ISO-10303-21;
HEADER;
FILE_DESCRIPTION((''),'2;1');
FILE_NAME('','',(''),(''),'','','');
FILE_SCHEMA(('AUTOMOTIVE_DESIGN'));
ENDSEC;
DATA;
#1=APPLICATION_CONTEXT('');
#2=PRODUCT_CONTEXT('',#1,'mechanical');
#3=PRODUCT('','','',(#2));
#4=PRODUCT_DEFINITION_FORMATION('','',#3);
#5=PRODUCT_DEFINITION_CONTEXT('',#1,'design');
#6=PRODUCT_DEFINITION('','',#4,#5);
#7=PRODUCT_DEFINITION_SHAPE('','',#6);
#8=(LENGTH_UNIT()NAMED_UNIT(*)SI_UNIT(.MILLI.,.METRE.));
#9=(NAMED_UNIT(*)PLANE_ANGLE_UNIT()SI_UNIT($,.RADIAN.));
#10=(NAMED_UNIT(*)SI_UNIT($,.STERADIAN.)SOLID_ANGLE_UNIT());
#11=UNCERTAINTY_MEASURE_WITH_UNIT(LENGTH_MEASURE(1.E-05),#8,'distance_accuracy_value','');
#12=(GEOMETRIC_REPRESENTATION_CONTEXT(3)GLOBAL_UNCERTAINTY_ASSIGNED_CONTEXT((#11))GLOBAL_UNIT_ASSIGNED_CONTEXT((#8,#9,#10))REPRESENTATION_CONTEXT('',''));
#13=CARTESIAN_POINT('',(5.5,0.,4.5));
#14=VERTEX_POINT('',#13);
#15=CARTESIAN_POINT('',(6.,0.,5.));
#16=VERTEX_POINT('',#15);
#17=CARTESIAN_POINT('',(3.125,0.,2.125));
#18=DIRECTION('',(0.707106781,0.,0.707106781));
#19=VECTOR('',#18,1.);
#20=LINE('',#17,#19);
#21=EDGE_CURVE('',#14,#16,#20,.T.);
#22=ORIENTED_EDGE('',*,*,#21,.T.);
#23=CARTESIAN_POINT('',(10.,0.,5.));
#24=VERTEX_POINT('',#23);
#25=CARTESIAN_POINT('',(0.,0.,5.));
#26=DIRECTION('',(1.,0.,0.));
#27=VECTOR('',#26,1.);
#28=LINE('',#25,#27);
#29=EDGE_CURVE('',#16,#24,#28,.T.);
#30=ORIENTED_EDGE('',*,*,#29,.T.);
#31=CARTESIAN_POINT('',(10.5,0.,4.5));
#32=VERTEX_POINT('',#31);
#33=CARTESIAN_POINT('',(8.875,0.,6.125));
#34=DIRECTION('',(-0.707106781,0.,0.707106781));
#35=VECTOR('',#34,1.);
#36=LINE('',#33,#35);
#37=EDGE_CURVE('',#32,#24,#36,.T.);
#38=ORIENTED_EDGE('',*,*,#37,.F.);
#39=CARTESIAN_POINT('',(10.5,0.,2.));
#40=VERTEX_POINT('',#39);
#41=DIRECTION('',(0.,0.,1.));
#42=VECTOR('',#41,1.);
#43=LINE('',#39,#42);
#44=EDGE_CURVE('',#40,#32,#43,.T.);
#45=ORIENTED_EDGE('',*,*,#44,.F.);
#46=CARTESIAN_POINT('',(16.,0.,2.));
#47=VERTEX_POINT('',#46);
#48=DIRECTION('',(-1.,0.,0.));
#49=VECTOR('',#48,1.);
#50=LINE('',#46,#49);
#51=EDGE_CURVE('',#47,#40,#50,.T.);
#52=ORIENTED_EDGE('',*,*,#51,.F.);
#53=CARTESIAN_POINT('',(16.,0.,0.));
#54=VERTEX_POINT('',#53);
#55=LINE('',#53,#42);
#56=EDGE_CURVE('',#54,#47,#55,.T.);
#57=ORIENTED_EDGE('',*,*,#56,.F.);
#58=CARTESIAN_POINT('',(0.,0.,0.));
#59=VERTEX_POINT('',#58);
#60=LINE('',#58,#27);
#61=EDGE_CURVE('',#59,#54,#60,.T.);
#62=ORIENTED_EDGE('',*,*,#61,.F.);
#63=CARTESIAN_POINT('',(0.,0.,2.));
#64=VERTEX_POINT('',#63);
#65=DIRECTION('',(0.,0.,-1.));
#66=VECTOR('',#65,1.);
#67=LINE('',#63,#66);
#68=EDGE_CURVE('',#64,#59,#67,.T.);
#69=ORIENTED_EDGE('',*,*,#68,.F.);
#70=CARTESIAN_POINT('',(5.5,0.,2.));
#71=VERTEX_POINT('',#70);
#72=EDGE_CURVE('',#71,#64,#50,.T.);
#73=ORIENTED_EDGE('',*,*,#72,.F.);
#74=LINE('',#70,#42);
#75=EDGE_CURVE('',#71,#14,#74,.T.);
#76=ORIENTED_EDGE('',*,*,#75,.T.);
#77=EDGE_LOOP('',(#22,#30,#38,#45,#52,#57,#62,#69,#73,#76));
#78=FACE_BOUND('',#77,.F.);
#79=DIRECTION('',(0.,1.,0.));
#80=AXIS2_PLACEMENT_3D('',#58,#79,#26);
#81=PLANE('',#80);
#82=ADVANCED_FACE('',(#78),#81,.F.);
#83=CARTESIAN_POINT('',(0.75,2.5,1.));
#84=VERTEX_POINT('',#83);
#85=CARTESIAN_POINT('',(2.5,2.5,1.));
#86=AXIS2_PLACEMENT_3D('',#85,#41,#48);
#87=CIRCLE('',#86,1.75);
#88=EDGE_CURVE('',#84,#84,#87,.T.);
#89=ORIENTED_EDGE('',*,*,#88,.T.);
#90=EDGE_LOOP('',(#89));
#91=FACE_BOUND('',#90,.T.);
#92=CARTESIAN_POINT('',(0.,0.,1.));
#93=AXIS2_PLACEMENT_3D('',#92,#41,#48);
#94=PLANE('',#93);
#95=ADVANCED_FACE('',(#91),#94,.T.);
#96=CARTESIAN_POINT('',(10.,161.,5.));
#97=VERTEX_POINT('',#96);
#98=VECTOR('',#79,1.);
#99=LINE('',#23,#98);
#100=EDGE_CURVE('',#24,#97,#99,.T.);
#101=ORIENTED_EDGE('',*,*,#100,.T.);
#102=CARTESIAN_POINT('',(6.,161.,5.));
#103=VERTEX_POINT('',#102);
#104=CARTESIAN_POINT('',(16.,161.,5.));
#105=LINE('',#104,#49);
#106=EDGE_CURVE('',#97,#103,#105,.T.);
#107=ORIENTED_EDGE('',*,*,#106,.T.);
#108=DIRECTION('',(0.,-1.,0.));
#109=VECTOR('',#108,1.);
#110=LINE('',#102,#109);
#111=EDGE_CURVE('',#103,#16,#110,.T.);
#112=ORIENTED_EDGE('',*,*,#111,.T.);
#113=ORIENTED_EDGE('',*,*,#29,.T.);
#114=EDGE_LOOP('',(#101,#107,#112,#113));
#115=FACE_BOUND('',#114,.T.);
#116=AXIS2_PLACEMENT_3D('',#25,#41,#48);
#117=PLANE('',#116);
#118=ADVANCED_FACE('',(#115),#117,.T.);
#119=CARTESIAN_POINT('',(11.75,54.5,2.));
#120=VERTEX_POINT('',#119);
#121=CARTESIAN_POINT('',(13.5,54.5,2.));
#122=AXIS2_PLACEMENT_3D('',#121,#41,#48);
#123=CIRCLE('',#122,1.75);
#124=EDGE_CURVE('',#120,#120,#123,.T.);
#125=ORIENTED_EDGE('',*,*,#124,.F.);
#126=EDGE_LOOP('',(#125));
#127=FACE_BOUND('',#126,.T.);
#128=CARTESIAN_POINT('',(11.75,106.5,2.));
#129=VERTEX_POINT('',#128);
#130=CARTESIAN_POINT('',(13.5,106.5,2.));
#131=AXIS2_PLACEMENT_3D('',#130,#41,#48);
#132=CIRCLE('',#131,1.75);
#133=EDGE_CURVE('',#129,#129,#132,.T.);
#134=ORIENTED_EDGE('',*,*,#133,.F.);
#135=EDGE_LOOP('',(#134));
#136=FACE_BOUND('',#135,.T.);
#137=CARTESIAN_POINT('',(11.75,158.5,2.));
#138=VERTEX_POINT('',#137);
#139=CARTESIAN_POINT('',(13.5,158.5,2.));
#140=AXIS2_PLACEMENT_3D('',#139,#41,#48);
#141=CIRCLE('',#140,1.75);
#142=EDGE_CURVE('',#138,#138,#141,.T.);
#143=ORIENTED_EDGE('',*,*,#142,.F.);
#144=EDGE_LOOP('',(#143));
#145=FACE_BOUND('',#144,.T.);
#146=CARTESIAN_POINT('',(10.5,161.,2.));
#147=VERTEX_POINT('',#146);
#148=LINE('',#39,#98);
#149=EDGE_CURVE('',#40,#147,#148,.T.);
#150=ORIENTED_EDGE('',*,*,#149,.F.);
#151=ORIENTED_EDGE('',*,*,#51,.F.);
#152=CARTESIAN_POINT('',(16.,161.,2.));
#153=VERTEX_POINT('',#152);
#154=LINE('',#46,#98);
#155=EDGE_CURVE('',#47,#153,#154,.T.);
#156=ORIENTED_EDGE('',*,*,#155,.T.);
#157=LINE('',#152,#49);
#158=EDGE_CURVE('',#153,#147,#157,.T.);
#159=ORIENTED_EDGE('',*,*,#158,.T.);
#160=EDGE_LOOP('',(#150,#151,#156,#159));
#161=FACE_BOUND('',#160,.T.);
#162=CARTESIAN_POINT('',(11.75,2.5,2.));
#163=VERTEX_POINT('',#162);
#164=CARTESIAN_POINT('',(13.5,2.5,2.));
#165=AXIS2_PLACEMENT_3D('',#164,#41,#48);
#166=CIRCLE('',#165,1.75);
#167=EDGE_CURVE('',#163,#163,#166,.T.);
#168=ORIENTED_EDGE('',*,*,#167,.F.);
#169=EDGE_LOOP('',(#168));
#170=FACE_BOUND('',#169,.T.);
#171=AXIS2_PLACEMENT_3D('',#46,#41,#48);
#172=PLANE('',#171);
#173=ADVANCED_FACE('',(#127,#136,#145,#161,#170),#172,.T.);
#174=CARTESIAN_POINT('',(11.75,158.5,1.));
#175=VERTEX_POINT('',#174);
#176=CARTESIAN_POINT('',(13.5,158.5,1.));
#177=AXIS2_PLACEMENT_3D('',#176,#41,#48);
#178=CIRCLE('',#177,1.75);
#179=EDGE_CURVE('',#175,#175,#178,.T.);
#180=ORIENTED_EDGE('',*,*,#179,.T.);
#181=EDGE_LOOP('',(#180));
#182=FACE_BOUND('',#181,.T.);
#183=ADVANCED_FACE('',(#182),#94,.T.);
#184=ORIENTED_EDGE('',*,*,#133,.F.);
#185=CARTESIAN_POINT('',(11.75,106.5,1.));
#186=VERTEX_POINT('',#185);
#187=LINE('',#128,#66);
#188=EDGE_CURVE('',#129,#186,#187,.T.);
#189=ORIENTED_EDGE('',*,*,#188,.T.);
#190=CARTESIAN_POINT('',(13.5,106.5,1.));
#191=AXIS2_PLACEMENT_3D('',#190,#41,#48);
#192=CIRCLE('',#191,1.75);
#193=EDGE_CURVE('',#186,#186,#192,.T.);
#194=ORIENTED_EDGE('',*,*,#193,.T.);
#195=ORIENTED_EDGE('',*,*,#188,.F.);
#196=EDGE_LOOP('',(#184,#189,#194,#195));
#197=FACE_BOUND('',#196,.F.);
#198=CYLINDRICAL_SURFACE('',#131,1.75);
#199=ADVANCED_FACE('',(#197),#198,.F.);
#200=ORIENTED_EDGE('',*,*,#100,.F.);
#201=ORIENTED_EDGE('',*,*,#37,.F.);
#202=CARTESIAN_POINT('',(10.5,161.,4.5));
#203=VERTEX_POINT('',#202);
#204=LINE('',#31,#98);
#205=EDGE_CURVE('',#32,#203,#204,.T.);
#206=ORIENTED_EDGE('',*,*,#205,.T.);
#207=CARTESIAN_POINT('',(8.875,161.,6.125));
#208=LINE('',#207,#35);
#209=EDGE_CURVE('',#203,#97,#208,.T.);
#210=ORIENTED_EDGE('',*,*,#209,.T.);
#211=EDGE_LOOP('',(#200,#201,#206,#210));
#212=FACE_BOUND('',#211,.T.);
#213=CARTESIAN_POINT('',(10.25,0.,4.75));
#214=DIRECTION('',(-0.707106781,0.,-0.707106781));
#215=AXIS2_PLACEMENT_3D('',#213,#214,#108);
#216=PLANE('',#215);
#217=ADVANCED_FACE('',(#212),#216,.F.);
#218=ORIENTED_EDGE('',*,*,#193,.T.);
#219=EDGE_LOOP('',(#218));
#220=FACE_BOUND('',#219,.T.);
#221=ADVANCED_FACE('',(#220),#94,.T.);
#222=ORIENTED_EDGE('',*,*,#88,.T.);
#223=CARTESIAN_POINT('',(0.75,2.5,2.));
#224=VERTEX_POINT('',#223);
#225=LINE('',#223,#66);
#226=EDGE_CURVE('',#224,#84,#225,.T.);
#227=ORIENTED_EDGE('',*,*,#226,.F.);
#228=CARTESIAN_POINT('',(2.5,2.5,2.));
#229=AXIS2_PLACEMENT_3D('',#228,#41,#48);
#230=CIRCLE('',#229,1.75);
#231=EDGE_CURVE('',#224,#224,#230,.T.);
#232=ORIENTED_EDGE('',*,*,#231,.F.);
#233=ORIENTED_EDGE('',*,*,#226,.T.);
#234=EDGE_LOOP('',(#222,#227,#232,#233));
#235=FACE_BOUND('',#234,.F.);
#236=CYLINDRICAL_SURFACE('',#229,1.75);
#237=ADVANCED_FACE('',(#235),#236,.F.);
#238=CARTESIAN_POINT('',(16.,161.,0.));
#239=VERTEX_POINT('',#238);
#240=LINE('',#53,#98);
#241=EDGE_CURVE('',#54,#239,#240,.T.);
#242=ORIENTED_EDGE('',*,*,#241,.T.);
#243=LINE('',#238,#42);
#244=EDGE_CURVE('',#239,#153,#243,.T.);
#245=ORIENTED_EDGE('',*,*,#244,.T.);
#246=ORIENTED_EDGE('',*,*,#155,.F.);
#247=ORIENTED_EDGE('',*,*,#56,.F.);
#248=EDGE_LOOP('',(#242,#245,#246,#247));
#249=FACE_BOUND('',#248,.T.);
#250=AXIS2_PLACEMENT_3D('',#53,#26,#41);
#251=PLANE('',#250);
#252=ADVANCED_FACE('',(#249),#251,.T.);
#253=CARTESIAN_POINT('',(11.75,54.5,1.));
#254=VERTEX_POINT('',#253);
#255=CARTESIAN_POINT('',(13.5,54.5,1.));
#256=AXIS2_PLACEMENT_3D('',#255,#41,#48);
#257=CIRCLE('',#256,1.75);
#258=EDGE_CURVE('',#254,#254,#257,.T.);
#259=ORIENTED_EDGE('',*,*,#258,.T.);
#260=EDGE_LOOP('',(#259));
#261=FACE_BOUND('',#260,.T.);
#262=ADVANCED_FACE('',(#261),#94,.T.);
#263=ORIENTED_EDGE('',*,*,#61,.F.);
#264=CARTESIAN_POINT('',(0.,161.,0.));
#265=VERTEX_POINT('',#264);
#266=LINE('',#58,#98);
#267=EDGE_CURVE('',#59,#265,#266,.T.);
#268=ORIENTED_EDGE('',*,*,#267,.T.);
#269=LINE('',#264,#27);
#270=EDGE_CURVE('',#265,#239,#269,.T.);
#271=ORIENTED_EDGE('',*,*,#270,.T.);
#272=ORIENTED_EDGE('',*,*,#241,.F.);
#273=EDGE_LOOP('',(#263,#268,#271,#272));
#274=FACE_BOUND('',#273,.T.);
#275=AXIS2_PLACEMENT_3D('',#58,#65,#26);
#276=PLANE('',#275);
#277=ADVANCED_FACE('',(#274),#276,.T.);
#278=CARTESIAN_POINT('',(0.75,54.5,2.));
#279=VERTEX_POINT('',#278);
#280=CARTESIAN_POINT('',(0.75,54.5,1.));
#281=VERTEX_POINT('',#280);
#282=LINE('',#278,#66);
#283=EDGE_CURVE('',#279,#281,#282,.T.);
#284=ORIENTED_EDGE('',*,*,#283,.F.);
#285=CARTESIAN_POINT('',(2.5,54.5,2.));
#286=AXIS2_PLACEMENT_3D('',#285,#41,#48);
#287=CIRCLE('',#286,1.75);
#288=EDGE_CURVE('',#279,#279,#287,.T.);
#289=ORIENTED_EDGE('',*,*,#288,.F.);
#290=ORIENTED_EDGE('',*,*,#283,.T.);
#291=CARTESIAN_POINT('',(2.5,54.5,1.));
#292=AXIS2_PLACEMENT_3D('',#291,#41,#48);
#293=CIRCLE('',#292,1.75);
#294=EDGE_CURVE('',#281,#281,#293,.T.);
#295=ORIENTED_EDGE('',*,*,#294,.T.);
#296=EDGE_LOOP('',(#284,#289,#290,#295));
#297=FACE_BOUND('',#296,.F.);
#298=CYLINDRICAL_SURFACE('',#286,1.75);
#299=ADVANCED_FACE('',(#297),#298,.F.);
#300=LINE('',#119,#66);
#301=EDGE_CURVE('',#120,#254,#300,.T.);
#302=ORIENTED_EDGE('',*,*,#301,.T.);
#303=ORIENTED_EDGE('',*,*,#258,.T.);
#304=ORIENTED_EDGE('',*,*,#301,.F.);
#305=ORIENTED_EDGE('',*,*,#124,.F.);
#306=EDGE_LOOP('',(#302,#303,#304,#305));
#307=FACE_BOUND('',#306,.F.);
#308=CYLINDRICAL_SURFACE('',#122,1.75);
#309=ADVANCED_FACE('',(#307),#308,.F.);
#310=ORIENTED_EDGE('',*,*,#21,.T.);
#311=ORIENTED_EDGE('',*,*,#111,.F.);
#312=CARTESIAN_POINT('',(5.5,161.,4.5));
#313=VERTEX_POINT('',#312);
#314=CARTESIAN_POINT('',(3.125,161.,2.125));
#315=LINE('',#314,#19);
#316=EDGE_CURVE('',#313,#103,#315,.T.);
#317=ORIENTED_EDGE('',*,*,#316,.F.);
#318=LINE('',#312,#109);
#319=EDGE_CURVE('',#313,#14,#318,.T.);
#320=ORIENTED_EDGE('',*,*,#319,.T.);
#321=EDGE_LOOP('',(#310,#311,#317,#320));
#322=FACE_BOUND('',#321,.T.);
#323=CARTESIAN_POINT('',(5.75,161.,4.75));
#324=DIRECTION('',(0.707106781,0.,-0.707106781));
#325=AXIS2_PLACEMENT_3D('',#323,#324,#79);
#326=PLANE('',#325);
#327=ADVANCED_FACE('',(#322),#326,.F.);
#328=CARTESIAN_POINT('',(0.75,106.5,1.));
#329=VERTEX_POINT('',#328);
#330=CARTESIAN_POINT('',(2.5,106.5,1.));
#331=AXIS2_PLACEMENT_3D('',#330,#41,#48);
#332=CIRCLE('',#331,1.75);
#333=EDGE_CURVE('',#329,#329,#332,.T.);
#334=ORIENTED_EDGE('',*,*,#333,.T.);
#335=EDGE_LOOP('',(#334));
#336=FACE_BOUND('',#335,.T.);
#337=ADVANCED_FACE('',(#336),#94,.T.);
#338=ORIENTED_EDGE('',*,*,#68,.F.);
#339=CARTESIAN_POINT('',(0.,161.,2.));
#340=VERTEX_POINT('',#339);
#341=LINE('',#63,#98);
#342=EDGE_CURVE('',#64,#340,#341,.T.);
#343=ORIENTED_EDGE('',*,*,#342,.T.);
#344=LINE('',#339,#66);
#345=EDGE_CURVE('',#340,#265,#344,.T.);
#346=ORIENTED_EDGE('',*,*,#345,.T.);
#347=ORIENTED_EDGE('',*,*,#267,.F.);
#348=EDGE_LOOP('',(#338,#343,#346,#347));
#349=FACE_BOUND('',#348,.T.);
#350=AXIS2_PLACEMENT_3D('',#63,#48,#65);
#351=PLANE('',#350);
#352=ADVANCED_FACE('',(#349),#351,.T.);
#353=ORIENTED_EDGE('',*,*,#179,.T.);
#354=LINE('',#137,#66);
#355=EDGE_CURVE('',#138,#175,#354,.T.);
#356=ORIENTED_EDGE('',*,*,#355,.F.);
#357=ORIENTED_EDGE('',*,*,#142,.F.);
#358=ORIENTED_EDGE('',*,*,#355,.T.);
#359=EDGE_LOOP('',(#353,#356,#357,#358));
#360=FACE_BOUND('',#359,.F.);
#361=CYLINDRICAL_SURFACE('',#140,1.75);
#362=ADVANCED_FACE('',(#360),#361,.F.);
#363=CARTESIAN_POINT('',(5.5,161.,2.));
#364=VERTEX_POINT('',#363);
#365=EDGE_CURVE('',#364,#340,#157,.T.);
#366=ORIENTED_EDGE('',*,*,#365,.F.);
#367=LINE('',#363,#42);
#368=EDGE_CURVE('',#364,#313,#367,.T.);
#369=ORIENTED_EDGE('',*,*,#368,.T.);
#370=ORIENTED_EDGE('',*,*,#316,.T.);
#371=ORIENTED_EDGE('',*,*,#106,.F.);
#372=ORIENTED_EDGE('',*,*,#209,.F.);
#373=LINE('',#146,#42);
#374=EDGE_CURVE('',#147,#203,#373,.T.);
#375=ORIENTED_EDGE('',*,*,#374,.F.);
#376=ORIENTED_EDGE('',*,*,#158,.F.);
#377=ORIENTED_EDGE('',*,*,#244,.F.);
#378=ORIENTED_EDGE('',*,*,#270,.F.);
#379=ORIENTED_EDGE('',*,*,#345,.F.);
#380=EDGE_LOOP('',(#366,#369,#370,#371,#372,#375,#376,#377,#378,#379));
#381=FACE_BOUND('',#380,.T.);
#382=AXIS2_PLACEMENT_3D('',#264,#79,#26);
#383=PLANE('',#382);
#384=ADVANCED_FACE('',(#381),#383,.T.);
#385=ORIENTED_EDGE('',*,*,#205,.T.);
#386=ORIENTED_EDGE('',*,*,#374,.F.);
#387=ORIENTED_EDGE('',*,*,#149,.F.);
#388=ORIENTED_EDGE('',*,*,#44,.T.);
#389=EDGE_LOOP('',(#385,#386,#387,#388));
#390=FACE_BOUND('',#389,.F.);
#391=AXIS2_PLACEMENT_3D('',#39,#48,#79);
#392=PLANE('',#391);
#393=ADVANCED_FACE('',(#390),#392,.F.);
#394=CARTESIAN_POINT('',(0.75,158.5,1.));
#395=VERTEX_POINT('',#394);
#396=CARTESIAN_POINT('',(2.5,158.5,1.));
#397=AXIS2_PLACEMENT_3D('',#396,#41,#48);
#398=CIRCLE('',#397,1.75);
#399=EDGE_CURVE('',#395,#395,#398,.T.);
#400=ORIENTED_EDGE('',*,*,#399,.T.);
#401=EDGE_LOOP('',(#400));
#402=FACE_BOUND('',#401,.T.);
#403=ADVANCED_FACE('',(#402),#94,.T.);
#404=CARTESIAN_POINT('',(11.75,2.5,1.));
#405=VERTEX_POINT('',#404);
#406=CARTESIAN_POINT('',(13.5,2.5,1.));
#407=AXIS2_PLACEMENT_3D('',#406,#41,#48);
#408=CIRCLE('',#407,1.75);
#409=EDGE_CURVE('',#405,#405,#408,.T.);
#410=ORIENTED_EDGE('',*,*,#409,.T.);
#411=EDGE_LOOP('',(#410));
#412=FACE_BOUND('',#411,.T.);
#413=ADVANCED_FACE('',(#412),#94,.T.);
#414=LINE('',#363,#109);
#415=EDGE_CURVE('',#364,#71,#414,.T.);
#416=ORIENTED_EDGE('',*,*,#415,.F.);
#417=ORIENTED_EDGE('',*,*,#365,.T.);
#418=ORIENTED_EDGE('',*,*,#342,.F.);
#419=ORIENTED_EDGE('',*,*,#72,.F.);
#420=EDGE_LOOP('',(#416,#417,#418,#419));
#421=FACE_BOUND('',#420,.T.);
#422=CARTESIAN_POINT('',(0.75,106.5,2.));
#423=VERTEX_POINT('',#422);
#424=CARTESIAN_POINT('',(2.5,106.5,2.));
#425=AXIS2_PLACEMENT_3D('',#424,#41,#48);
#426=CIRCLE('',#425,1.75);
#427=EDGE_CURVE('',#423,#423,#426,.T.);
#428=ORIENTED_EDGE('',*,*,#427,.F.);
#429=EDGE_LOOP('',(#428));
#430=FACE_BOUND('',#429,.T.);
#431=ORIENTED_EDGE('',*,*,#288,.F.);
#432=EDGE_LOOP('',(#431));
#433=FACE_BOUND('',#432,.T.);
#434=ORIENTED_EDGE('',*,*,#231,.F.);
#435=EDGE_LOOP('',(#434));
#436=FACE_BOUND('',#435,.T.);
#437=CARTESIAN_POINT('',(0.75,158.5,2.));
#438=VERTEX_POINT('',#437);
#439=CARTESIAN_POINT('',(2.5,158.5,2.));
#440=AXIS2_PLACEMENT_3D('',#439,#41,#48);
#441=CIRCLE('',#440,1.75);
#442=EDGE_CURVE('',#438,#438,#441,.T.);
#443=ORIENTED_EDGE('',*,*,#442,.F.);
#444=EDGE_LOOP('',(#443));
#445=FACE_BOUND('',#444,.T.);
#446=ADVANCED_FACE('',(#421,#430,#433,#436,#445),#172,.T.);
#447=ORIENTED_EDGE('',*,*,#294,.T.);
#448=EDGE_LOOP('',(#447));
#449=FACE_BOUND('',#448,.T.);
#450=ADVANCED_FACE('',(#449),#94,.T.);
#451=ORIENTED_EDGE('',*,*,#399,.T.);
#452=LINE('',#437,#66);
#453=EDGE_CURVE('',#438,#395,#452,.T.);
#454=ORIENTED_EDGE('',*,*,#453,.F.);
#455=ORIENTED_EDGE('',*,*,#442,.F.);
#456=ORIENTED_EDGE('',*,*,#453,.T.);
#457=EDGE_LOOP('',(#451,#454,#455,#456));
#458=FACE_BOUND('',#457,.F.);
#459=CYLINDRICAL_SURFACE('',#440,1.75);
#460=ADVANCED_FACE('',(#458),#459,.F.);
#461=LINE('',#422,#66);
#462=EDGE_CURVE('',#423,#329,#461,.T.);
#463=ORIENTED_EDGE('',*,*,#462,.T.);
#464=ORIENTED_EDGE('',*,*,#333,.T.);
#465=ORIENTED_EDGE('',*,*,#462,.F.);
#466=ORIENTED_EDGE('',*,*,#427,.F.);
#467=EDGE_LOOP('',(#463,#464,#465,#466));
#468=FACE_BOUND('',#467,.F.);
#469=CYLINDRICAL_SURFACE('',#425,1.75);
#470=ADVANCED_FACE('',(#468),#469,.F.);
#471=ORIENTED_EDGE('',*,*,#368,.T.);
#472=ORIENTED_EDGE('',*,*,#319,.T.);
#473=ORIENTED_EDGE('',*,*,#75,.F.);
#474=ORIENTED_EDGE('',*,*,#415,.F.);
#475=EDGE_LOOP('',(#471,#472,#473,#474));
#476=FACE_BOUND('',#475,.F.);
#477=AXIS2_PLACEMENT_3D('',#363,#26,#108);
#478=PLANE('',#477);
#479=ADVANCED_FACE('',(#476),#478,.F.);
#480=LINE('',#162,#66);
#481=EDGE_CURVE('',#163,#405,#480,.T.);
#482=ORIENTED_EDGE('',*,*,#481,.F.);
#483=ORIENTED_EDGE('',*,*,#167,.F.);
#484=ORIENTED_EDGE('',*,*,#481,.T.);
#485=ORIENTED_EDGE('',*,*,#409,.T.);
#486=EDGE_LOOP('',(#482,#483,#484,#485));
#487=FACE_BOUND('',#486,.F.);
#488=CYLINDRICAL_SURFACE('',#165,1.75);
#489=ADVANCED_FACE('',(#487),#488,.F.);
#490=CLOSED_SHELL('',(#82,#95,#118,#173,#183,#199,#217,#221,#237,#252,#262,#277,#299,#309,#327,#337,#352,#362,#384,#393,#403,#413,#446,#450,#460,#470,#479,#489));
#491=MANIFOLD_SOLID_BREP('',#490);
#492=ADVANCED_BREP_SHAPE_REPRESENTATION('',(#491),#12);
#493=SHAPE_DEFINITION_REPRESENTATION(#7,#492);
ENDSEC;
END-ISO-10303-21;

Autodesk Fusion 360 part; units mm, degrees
sketch "3D-printed conduit top outline" plane through (0, 0, 0) normal (0, 1, 0) x (1, 0, 0)
  line L0 (0, 0) -> (16, 0)
  line L1 (16, 0) -> (16, -2)
  line L2 (16, -2) -> (0, -2)
  line L3 (0, -2) -> (0, 0)
  dimension "d7" = 16
  dimension "d8" = 2
extrude "Extrude1" add sketch "3D-printed conduit top outline" along normal blind 161
sketch "Magnet holes" plane through (0, 0, 2) normal (0, 0, 1) x (-1, 0, 0)
  line L0 (0, 0) -> (-16, 0)
  line L1 (-16, 0) -> (-16, -161)
  line L2 (-16, -161) -> (0, -161)
  line L3 (0, -161) -> (0, 0)
  circle A0 centre (-2.5, -2.5) radius 2.5
  circle A1 centre (-13.5, -2.5) radius 2.5
  circle A2 centre (-2.5, -2.5) radius 1.75
  circle A3 centre (-13.5, -2.5) radius 1.75
  circle A4 centre (-2.5, -54.5) radius 1.75
  circle A5 centre (-2.5, -54.5) radius 2.5
  circle A6 centre (-13.5, -54.5) radius 2.5
  circle A7 centre (-13.5, -54.5) radius 1.75
  circle A8 centre (-2.5, -106.5) radius 1.75
  circle A9 centre (-2.5, -106.5) radius 2.5
  circle A10 centre (-13.5, -106.5) radius 2.5
  circle A11 centre (-13.5, -106.5) radius 1.75
  circle A12 centre (-2.5, -158.5) radius 1.75
  circle A13 centre (-2.5, -158.5) radius 2.5
  circle A14 centre (-13.5, -158.5) radius 2.5
  circle A15 centre (-13.5, -158.5) radius 1.75
  dimension "d11" = 5
  dimension "d12" = 5
  dimension "d13" = 3.5
  dimension "d14" = 3.5
  dimension "d17" = 0
  dimension "d18" = -156
extrude "Extrude2" cut sketch "Magnet holes" against normal blind 1 contours A2 | A3 | A4 | A7 | A8 | A11 | A12 | A15
sketch "Support rib" plane through (0, 0, 2) normal (0, 0, 1) x (-1, 0, 0)
  line L0 (0, 0) -> (-16, 0)
  line L1 (-16, 0) -> (-16, -161)
  line L2 (-16, -161) -> (0, -161)
  line L3 (0, -161) -> (0, 0)
  circle A0 centre (-13.5, -158.5) radius 1.75
  circle A1 centre (-13.5, -54.5) radius 1.75
  circle A2 centre (-2.5, -2.5) radius 1.75
  circle A3 centre (-2.5, -106.5) radius 1.75
  circle A4 centre (-2.5, -158.5) radius 1.75
  circle A5 centre (-2.5, -54.5) radius 1.75
  circle A6 centre (-13.5, -2.5) radius 1.75
  circle A7 centre (-13.5, -106.5) radius 1.75
  line L4 (-5.5, 0) -> (-10.5, 0)
  line L5 (-10.5, 0) -> (-10.5, -161)
  line L6 (-10.5, -161) -> (-5.5, -161)
  line L7 (-5.5, -161) -> (-5.5, 0)
  dimension "d23" = 5
  dimension "d24" = 5.5
  dimension "d25" = 5.5
extrude "Extrude3" add sketch "Support rib" along normal blind 3 contours L0 L2 L4 L5 L6 L7
chamfer "Chamfer1" distance 0.5 angle 45 2 edges at (5.5, 80.5, 5) (10.5, 80.5, 5)
equation "conduit_length = 161 mm"
equation "conduit_width = 16 mm"
equation "conduit_wall_thickness = 2 mm"
equation "magnet_diameter = 3 mm"
equation "magnet_height = 1 mm"
equation "number_of_magnets_on_a_side = 4"
equation "d7 = conduit_width"
equation "d8 = conduit_wall_thickness"
equation "d9 = conduit_length"
equation "d11 = magnet_diameter + 2 mm"
equation "d12 = magnet_diameter + 2 mm"
equation "d13 = magnet_diameter + 0.5 mm"
equation "d14 = magnet_diameter + 0.5 mm"
equation "d16 = number_of_magnets_on_a_side"
equation "d18 = -conduit_length + magnet_diameter + 2 mm"
equation "d19 = -magnet_height"
equation "rib_width = 5 mm"
equation "rib_height = 3 mm"
equation "d23 = rib_width"
equation "d24 = ( conduit_width - rib_width ) / 2"
equation "d26 = rib_height"
equation "rib_chamfer = 0.5 mm"
equation "d29 = rib_chamfer"
